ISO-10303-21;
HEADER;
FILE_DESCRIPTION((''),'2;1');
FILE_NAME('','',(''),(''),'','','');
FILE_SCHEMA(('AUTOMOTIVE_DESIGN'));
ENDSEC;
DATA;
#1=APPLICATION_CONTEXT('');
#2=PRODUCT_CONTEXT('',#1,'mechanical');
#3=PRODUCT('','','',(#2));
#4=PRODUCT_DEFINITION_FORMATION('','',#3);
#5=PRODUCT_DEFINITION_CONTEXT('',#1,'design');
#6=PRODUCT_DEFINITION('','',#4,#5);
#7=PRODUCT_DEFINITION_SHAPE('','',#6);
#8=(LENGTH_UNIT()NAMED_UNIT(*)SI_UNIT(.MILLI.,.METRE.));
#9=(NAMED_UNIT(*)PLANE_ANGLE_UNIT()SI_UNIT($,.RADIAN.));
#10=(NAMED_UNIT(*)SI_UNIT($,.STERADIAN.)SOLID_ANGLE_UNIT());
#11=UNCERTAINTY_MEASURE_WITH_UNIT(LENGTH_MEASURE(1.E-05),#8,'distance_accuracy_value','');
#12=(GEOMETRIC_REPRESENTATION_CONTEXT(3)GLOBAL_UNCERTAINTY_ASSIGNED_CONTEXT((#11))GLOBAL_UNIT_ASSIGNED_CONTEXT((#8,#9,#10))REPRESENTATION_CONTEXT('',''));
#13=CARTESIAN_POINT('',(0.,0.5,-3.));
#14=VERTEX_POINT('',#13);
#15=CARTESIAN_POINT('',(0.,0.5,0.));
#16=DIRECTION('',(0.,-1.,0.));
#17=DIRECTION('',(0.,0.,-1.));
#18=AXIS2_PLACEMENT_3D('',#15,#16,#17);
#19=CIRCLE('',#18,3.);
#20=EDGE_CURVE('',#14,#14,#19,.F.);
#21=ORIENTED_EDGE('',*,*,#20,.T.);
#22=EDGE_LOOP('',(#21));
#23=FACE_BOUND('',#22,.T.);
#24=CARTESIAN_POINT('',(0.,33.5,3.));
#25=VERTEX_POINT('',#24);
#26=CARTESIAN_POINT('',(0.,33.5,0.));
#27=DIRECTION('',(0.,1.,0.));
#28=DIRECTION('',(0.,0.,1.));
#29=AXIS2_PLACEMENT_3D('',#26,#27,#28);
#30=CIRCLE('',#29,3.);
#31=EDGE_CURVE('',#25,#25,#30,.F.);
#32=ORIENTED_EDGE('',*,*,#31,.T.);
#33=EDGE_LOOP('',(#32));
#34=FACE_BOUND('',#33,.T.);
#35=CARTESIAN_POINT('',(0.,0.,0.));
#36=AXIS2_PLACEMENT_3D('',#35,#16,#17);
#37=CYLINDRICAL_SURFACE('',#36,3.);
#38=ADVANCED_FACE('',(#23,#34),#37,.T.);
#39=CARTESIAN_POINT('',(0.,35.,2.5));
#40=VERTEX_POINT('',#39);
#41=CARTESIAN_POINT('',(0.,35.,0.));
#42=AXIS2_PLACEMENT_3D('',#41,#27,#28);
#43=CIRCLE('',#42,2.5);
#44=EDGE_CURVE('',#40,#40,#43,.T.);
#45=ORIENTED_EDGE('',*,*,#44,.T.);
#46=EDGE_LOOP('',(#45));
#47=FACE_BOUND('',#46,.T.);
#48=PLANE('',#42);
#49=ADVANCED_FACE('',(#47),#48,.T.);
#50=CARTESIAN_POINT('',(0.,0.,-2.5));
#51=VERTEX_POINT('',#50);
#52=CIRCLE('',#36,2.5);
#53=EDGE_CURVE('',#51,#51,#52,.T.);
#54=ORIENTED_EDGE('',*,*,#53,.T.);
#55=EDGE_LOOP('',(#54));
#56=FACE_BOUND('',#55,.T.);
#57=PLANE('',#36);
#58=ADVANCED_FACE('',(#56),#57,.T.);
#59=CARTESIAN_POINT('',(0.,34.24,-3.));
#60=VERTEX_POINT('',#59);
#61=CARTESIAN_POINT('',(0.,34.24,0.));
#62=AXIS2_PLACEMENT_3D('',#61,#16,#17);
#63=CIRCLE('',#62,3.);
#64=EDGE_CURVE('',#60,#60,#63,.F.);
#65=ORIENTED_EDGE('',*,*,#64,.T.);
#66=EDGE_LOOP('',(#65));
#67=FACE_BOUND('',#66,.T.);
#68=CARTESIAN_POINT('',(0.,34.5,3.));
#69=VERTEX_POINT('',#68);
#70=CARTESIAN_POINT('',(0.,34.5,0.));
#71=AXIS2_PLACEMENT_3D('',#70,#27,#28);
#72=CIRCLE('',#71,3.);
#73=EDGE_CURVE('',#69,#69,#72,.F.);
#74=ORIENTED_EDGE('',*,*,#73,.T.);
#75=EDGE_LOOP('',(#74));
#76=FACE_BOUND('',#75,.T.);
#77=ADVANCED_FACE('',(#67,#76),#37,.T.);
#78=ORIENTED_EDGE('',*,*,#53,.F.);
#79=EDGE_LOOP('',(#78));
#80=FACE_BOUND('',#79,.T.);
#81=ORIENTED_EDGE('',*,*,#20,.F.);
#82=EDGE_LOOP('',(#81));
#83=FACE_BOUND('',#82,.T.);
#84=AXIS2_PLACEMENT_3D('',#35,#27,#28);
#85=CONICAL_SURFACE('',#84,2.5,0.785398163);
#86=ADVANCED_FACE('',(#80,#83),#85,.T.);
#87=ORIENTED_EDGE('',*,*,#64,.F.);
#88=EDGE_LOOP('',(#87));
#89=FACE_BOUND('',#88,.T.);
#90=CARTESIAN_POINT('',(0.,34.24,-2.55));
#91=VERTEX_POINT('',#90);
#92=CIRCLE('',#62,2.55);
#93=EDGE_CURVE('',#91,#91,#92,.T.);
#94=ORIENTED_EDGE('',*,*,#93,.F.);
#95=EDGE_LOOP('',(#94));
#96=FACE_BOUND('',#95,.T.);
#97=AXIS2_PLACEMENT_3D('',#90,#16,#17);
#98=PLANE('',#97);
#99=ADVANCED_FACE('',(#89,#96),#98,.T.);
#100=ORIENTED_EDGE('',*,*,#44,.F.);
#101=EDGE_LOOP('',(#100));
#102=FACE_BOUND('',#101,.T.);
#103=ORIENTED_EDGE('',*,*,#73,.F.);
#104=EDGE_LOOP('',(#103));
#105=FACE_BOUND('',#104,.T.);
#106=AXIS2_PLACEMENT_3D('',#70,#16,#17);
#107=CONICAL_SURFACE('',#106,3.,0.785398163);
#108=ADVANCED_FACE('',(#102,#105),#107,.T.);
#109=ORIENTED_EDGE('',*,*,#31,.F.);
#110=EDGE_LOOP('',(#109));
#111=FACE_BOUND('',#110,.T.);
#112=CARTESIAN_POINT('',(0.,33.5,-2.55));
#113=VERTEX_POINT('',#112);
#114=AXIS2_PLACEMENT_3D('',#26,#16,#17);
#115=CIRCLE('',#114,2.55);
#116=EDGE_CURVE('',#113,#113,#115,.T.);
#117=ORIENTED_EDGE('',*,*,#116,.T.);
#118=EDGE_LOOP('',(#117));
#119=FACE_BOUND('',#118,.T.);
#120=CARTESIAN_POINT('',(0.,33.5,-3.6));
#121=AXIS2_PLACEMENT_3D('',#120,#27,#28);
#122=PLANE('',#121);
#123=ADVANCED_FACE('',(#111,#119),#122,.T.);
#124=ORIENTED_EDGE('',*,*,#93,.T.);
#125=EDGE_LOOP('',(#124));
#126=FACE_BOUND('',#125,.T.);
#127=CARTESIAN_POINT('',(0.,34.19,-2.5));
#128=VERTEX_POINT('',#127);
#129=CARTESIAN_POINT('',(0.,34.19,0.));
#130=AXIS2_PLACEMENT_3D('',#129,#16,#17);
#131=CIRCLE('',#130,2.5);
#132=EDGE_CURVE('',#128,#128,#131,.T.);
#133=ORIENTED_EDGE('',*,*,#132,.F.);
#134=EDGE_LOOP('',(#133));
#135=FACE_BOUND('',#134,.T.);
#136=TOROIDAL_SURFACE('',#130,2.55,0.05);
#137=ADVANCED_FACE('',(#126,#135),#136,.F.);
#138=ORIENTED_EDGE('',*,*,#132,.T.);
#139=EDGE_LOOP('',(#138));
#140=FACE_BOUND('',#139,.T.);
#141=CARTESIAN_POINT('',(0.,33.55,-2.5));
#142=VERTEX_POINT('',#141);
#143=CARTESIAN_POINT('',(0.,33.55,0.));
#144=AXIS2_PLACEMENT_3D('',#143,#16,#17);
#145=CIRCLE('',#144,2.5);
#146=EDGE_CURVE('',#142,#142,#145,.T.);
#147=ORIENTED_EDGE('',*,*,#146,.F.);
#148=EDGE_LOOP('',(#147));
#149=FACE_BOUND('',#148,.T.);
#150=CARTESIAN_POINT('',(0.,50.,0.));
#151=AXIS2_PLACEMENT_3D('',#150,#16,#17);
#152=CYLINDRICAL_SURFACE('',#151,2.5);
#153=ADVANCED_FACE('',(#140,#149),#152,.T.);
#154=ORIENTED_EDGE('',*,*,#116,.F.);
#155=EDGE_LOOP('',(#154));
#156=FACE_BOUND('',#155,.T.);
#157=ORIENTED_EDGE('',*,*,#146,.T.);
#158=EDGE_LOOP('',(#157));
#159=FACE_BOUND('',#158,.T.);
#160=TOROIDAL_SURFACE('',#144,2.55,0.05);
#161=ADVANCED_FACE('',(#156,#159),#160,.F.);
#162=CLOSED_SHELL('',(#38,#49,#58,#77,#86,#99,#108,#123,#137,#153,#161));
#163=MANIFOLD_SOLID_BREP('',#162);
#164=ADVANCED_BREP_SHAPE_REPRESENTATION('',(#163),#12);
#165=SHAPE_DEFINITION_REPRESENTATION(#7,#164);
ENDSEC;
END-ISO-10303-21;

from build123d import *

# Parameters (mm, degrees)
SKETCH1_W     = 3
SKETCH1_H     = 35
CHAMFER1_SIZE = 0.5


with BuildPart() as part:
    # Sketch1 → Revolve1 (revolve)
    with BuildSketch(Plane.XY):
        with Locations((1.5, 17.5)):
            Rectangle(SKETCH1_W, SKETCH1_H)
    revolve(axis=Axis((0, 0, 0), (0, 1, 0)))

    # Sketch3 → Groove for DIN 471 - 4 x 0.4, Circlip for shafts - normal1 (revolve, cut)
    with BuildSketch(Plane(origin=(0, 0, 0), x_dir=(0, 0, -1), z_dir=(-1, 0, 0))):
        with BuildLine():
            Line((2.55, -34.24), (3.6, -34.24))
            Line((3.6, -34.24), (3.6, -33.5))
            Line((3.6, -33.5), (2.55, -33.5))
            ThreePointArc((2.55, -33.5), (2.514644661, -33.514644661), (2.5, -33.55))
            Line((2.5, -33.55), (2.5, -34.19))
            ThreePointArc((2.5, -34.19), (2.514644661, -34.225355339), (2.55, -34.24))
        make_face()
    revolve(axis=Axis((0, 50, 0), (0, -1, 0)), mode=Mode.SUBTRACT)

    # Chamfer1
    chamfer1_edges = [part.edges().sort_by_distance(p)[0] for p in [
        (-3, 0, 0),
        (-3, 35, 0),
    ]]
    chamfer(chamfer1_edges, length=CHAMFER1_SIZE)


solid = part.part
